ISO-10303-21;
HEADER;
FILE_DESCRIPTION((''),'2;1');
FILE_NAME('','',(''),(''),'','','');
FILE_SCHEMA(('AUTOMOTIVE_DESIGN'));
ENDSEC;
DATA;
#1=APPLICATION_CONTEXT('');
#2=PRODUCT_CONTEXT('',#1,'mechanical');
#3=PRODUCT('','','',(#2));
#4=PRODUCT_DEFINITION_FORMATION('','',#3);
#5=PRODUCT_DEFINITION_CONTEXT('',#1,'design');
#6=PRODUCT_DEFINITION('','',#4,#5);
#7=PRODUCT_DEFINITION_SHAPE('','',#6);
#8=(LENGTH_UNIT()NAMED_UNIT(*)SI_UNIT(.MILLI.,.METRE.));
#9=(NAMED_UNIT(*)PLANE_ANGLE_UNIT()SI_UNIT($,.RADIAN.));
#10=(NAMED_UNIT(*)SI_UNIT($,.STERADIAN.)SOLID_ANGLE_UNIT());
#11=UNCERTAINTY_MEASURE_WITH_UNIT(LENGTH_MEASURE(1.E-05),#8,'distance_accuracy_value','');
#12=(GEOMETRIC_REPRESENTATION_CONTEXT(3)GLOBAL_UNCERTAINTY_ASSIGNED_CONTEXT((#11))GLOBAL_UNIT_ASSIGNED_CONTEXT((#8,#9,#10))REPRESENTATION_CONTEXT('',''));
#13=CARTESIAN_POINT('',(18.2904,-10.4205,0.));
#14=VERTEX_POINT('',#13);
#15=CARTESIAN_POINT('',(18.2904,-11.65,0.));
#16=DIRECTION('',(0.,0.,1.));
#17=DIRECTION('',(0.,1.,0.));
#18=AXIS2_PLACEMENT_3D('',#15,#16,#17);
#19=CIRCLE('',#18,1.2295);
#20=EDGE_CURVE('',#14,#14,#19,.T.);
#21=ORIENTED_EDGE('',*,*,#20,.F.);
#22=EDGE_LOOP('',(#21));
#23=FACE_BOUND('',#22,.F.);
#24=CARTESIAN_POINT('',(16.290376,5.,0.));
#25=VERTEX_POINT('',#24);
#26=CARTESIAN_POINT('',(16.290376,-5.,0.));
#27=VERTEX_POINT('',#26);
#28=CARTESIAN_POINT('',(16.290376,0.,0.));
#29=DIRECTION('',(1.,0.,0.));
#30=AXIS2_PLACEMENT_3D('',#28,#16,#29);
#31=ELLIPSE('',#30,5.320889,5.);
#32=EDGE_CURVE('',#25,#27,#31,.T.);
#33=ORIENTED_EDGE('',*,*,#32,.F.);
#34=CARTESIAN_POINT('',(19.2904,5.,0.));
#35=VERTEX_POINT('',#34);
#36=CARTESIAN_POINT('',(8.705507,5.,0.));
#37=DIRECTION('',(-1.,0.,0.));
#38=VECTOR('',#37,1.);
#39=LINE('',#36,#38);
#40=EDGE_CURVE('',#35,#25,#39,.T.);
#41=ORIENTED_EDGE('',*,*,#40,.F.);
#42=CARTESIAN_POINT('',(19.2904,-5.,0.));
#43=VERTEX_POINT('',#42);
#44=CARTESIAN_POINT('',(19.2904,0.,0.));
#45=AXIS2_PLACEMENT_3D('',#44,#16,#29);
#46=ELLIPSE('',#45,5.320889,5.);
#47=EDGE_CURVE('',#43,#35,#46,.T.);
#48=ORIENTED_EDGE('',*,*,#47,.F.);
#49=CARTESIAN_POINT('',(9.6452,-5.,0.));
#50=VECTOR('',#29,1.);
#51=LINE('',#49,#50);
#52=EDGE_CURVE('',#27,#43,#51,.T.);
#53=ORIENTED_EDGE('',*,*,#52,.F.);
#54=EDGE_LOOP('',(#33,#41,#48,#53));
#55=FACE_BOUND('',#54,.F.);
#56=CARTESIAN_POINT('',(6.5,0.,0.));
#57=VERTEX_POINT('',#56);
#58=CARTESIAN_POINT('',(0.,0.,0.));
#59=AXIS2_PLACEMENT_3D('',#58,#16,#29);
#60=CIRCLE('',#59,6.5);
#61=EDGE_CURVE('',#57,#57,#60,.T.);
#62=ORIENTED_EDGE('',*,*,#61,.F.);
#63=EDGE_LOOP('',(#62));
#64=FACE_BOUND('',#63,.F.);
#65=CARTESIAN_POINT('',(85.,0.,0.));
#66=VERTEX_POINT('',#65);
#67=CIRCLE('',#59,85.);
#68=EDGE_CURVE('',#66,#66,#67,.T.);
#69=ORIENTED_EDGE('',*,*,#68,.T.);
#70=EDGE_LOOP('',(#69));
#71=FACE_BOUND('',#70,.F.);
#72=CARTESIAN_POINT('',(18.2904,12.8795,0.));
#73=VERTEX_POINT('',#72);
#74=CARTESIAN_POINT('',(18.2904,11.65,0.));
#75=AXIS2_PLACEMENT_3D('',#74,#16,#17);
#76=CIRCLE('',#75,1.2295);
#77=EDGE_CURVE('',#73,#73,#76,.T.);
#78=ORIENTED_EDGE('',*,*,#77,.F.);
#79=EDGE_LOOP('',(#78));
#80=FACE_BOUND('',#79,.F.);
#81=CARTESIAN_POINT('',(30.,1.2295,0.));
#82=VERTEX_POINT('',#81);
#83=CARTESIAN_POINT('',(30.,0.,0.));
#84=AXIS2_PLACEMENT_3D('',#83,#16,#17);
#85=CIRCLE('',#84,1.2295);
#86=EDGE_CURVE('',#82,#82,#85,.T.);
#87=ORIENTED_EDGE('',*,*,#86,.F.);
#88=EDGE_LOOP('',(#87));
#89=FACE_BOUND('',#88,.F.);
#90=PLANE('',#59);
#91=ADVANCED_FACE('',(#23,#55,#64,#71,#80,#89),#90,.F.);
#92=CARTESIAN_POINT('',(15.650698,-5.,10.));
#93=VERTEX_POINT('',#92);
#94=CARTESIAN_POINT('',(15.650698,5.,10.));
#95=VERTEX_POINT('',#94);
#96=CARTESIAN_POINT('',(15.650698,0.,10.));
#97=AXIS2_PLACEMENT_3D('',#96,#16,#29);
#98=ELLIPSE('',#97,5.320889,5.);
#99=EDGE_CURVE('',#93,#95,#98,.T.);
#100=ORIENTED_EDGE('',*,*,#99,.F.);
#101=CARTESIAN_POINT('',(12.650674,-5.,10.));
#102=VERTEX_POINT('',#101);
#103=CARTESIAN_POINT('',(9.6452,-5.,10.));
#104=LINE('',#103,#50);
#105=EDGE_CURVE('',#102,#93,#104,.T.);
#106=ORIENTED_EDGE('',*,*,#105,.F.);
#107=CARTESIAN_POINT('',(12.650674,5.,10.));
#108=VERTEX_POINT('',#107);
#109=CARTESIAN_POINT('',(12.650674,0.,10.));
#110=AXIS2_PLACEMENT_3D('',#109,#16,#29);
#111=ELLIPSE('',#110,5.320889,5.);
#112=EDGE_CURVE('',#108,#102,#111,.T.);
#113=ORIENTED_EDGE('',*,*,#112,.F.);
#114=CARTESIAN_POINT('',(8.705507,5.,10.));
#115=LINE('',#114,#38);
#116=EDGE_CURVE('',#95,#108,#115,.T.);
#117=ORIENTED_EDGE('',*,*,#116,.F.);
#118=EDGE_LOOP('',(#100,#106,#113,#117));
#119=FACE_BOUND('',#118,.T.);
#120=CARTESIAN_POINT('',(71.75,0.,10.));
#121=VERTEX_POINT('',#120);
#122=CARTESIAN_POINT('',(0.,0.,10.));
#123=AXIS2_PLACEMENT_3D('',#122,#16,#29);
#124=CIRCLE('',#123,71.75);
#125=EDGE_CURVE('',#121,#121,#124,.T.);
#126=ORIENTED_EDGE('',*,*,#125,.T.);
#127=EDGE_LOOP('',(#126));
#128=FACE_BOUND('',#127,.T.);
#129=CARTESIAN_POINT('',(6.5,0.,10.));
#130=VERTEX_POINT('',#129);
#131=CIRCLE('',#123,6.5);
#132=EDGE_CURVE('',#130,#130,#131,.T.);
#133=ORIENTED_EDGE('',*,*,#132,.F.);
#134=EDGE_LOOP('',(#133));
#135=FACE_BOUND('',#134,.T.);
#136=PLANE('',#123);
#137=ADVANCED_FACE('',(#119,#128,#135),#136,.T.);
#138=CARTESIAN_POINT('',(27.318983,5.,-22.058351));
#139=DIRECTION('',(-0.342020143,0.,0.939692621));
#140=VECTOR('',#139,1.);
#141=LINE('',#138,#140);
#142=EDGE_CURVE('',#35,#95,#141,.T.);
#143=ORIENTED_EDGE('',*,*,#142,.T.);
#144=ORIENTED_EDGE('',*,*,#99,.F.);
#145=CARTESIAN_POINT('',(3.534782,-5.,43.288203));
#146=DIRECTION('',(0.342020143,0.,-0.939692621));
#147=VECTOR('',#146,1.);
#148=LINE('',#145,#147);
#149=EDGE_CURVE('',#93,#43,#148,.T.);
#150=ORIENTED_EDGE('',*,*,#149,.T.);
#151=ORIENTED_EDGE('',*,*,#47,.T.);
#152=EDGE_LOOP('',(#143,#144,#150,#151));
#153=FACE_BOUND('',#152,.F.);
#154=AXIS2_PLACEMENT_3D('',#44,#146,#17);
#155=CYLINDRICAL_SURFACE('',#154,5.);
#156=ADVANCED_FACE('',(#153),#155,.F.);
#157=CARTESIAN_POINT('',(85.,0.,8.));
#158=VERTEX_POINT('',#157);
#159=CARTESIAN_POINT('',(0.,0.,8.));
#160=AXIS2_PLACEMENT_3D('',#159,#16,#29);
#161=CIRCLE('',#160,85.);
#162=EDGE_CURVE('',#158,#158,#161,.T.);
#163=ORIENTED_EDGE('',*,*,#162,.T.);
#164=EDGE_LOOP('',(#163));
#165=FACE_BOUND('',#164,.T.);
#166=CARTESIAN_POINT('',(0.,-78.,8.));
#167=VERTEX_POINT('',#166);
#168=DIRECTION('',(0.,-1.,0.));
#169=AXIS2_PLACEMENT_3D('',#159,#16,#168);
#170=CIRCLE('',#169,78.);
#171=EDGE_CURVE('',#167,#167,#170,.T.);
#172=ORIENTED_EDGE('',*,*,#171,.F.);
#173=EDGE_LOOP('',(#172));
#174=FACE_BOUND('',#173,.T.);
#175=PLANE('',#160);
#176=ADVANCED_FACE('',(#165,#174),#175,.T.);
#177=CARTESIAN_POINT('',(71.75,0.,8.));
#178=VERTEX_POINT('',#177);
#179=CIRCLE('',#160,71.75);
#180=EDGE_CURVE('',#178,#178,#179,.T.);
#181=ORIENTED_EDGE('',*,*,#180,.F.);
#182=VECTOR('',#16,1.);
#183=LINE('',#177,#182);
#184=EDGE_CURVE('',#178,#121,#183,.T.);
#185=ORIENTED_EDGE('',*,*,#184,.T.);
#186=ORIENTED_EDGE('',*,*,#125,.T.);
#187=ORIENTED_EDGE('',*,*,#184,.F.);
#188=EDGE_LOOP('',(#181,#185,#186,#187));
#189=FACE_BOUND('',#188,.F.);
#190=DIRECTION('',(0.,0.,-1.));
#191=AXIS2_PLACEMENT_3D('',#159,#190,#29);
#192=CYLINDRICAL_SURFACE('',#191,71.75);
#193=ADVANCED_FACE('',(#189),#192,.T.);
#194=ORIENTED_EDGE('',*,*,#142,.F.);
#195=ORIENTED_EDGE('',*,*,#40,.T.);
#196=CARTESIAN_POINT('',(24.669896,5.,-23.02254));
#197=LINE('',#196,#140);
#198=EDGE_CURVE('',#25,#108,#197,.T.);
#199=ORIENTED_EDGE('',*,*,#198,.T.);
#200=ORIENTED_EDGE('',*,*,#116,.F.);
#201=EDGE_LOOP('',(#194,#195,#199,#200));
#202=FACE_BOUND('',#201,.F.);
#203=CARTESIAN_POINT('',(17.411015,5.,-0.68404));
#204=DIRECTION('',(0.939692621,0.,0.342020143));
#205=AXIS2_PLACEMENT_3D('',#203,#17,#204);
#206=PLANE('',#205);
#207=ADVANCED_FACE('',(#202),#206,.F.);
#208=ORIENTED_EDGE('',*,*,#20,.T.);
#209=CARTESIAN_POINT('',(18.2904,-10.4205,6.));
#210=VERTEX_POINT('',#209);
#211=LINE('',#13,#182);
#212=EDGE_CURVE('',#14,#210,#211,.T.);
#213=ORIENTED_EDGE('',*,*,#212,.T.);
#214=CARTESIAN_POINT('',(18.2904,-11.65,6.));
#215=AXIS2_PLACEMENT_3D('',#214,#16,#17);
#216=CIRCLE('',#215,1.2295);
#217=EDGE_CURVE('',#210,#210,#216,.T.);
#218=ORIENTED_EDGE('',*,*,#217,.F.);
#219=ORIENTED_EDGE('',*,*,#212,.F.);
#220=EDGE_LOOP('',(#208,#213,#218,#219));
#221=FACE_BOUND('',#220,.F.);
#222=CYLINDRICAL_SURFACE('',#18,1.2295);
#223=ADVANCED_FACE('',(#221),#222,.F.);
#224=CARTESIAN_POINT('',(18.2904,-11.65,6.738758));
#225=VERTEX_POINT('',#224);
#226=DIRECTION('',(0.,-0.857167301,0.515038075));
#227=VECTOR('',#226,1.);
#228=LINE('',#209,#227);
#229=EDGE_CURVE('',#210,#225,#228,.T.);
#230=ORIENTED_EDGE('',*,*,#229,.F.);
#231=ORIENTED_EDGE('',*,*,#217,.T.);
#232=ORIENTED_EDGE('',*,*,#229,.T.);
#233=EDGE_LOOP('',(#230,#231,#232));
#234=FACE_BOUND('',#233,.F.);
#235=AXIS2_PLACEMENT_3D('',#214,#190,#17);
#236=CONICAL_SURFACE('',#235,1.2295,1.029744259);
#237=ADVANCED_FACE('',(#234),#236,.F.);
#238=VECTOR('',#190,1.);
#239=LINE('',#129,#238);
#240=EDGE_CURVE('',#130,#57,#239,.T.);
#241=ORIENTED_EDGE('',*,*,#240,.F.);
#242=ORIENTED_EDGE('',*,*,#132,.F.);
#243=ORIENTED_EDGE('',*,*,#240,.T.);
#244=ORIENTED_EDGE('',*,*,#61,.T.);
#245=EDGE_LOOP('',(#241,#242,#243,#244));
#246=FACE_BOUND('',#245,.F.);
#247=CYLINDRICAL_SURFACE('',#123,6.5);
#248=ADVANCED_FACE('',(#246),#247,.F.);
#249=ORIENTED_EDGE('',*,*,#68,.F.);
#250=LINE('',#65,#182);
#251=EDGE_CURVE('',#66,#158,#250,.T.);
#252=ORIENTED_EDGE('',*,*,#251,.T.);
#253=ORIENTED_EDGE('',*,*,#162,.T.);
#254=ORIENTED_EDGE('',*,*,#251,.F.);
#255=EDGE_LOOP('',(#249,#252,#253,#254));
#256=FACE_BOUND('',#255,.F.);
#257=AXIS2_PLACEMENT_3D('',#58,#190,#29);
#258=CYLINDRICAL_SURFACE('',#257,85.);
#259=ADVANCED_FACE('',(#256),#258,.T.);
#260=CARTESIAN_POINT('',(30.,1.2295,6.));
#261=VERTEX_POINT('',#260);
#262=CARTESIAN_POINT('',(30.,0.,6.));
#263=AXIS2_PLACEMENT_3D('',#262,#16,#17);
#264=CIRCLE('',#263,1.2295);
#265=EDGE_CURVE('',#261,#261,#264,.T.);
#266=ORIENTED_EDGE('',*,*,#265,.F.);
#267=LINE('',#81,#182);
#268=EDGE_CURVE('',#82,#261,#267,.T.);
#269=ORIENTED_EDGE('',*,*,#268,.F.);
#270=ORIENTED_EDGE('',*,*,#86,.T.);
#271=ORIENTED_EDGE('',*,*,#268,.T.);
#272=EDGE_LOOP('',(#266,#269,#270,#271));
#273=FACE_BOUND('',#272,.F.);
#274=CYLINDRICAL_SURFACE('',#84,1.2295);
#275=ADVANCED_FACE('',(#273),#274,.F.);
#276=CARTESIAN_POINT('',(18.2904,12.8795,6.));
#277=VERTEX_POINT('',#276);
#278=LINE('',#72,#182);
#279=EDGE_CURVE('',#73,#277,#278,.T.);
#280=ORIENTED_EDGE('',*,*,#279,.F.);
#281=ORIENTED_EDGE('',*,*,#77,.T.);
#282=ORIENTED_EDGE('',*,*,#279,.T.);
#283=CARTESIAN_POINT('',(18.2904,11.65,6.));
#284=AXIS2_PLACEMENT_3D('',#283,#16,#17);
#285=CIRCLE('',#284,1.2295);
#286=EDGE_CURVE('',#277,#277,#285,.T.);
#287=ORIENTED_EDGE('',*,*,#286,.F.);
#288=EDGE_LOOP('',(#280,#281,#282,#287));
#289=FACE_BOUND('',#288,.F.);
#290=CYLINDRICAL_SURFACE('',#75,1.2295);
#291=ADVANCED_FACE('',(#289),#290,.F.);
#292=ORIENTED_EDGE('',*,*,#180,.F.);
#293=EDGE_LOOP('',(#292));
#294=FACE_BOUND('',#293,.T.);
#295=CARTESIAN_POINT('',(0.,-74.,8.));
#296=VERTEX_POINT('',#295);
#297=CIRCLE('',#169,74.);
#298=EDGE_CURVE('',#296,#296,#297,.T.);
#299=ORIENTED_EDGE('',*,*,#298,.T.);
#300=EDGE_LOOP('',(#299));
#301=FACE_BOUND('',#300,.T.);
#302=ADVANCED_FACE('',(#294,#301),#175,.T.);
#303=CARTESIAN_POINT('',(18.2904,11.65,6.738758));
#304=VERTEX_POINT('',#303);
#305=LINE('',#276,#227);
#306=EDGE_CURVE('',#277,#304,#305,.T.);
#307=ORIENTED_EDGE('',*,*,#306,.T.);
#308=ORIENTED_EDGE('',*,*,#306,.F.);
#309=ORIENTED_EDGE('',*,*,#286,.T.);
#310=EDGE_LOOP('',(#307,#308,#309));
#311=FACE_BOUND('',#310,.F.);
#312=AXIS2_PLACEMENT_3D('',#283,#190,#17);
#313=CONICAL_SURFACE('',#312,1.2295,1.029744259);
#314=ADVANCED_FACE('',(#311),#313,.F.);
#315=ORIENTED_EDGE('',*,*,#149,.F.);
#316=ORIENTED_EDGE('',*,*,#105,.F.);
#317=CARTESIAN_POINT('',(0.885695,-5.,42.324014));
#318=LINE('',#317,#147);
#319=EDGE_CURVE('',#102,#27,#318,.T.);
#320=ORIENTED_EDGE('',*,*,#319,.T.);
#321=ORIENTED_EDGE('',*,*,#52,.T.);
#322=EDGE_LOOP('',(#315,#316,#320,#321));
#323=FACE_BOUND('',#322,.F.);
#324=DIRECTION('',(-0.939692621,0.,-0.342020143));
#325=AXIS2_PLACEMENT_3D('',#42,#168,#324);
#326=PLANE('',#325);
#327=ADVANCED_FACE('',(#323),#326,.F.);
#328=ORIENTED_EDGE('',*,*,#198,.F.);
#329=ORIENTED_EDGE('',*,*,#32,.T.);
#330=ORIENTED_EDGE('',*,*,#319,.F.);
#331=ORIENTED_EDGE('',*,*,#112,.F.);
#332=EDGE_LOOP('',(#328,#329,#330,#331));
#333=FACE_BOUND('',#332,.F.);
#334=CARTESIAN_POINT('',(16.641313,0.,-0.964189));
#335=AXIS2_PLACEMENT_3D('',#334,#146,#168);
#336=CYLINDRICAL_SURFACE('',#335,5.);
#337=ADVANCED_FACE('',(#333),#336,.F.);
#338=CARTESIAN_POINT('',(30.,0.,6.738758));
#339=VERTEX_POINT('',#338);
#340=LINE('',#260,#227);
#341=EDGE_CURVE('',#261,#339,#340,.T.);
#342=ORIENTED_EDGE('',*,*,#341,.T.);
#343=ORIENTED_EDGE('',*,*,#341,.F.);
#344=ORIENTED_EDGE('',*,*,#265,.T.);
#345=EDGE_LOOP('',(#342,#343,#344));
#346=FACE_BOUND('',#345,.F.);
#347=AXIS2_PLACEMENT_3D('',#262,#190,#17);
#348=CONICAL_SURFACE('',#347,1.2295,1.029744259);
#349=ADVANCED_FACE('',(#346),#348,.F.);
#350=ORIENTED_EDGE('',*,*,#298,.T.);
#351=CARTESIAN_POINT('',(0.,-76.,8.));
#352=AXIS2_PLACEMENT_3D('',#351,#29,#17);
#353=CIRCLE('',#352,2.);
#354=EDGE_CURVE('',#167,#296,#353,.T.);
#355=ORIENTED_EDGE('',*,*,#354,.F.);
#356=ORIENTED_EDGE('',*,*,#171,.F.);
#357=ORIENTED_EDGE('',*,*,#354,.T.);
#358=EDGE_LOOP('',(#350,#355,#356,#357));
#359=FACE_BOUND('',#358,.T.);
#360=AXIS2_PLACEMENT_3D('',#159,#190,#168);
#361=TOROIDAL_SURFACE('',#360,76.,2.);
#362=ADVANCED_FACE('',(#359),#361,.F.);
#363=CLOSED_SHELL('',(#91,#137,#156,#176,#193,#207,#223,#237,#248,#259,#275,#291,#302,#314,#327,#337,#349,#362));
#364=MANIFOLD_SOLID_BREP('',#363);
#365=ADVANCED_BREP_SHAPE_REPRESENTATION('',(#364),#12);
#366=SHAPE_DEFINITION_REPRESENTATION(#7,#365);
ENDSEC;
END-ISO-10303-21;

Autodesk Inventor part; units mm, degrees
ref_plane "YZ Plane" through (0, 0, 0) normal (1, 0, 0) x (0, 1, 0)
ref_plane "XZ Plane" through (0, 0, 0) normal (0, 1, 0) x (-1, 0, 0)
sketch "Sketch1" plane through (0, 0, 0) normal (0, 0, 1) x (1, 0, 0)
  circle A0 centre (0, 0) radius 85
  dimension "d0" = 170
extrude "Extrusion1" add sketch "Sketch1" along normal blind 8
sketch "Sketch2" plane through (0, 0, 8) normal (0, 0, 1) x (1, 0, 0)
  circle A0 centre (0, 0) radius 71.75
  dimension "d3" = 143.5
extrude "Extrusion2" add sketch "Sketch2" along normal blind 2
sketch "Sketch3" plane through (0, 0, 10) normal (0, 0, 1) x (1, 0, 0)
  circle A0 centre (0, 0) radius 6.5
  dimension "d6" = 13
extrude "Extrusion3" cut sketch "Sketch3" against normal through all
sketch "Sketch4" plane through (0, 0, 0) normal (0, 1, 0) x (-1, 0, 0)
  line L0 (0, 53) -> (-39.9771, -56.8361) construction
  line L1 (85, 8) -> (-85, 8) construction
  line L2 (0, -78.8034) -> (0, 74.9672) construction
  point P0 (0, 0)
  dimension "d9" = 45
  dimension "d10" = 20
ref_plane "Work Plane1" through (19.2904, 0, 0) normal (0.342, 0, -0.9397) x (0, 1, 0)
sketch "Sketch5" plane through (19.2904, 0, 0) normal (0.342, 0, -0.9397) x (0, 1, 0)
  line L0 (0, 0) -> (0, -2.8191) construction
  line L1 (-5, 0) -> (-5, -2.8191)
  line L2 (5, -2.8191) -> (5, 0)
  arc A0 (5, 0) -> (-5, 0) centre (0, 0) ccw
  arc A1 (-5, -2.8191) -> (5, -2.8191) centre (0, -2.8191) ccw
  line L3 (0, 0) -> (0, -2) construction
  line L4 (-5, 0) -> (-5, -2)
  line L5 (5, -2) -> (5, 0)
  arc A2 (5, 0) -> (-5, 0) centre (0, 0) ccw
  arc A3 (-5, -2) -> (5, -2) centre (0, -2) ccw
  point P0 (0, -18.1271)
  point P1 (0, -1.4095)
  point P2 (0, -1)
  point P3 (-5, -2)
  point P4 (5, -2)
  dimension "d12" = 10
  dimension "d13" = 2.8191
  dimension "d37" = 2
extrude "Extrusion4" cut sketch "Sketch5" against normal through all both and the other way through all
sketch "Sketch10" plane through (0, 0, 0) normal (0, 0, -1) x (-1, 0, 0)
  line L0 (119, 0) -> (-119, 0) projected
  line L1 (0, 0) -> (-18.2904, -11.65) construction
  line L2 (-18.2904, -11.65) -> (-18.2904, -5) construction
  line L3 (-16.2904, -5) -> (-19.2904, -5) construction
  point P0 (-18.2904, 11.65)
  point P1 (-30, 0)
  dimension "d50" = 30
  dimension "d60" = 11.65
  dimension "d61" = 1
hole "Hole1" at (18.2904, -11.65, 0) at (18.2904, 11.65, 0) at (30, 0, 0) direction (0, 0, 1) diameter 2.459 depth 6 tip angle 118 thread size "M3x0.5" class "6H" standard "ANSI Metric M Profile"
sketch "Sketch12" plane through (0, 0, 0) normal (1, 0, 0) x (0, 1, 0)
  line L0 (85, 8) -> (-85, 8) projected
  circle A0 centre (-76, 8) radius 2
  line L1 (0, -78.8034) -> (0, 74.9672) projected
  point P0 (0, 0)
  dimension "d63" = 4
  dimension "d64" = 76
revolve "Revolution1" cut sketch "Sketch12" angle 360 about axis through (0, 0, -10) along (0, 0, 1)
properties part number "Deckel" material "Polycarbonate, Clear"
